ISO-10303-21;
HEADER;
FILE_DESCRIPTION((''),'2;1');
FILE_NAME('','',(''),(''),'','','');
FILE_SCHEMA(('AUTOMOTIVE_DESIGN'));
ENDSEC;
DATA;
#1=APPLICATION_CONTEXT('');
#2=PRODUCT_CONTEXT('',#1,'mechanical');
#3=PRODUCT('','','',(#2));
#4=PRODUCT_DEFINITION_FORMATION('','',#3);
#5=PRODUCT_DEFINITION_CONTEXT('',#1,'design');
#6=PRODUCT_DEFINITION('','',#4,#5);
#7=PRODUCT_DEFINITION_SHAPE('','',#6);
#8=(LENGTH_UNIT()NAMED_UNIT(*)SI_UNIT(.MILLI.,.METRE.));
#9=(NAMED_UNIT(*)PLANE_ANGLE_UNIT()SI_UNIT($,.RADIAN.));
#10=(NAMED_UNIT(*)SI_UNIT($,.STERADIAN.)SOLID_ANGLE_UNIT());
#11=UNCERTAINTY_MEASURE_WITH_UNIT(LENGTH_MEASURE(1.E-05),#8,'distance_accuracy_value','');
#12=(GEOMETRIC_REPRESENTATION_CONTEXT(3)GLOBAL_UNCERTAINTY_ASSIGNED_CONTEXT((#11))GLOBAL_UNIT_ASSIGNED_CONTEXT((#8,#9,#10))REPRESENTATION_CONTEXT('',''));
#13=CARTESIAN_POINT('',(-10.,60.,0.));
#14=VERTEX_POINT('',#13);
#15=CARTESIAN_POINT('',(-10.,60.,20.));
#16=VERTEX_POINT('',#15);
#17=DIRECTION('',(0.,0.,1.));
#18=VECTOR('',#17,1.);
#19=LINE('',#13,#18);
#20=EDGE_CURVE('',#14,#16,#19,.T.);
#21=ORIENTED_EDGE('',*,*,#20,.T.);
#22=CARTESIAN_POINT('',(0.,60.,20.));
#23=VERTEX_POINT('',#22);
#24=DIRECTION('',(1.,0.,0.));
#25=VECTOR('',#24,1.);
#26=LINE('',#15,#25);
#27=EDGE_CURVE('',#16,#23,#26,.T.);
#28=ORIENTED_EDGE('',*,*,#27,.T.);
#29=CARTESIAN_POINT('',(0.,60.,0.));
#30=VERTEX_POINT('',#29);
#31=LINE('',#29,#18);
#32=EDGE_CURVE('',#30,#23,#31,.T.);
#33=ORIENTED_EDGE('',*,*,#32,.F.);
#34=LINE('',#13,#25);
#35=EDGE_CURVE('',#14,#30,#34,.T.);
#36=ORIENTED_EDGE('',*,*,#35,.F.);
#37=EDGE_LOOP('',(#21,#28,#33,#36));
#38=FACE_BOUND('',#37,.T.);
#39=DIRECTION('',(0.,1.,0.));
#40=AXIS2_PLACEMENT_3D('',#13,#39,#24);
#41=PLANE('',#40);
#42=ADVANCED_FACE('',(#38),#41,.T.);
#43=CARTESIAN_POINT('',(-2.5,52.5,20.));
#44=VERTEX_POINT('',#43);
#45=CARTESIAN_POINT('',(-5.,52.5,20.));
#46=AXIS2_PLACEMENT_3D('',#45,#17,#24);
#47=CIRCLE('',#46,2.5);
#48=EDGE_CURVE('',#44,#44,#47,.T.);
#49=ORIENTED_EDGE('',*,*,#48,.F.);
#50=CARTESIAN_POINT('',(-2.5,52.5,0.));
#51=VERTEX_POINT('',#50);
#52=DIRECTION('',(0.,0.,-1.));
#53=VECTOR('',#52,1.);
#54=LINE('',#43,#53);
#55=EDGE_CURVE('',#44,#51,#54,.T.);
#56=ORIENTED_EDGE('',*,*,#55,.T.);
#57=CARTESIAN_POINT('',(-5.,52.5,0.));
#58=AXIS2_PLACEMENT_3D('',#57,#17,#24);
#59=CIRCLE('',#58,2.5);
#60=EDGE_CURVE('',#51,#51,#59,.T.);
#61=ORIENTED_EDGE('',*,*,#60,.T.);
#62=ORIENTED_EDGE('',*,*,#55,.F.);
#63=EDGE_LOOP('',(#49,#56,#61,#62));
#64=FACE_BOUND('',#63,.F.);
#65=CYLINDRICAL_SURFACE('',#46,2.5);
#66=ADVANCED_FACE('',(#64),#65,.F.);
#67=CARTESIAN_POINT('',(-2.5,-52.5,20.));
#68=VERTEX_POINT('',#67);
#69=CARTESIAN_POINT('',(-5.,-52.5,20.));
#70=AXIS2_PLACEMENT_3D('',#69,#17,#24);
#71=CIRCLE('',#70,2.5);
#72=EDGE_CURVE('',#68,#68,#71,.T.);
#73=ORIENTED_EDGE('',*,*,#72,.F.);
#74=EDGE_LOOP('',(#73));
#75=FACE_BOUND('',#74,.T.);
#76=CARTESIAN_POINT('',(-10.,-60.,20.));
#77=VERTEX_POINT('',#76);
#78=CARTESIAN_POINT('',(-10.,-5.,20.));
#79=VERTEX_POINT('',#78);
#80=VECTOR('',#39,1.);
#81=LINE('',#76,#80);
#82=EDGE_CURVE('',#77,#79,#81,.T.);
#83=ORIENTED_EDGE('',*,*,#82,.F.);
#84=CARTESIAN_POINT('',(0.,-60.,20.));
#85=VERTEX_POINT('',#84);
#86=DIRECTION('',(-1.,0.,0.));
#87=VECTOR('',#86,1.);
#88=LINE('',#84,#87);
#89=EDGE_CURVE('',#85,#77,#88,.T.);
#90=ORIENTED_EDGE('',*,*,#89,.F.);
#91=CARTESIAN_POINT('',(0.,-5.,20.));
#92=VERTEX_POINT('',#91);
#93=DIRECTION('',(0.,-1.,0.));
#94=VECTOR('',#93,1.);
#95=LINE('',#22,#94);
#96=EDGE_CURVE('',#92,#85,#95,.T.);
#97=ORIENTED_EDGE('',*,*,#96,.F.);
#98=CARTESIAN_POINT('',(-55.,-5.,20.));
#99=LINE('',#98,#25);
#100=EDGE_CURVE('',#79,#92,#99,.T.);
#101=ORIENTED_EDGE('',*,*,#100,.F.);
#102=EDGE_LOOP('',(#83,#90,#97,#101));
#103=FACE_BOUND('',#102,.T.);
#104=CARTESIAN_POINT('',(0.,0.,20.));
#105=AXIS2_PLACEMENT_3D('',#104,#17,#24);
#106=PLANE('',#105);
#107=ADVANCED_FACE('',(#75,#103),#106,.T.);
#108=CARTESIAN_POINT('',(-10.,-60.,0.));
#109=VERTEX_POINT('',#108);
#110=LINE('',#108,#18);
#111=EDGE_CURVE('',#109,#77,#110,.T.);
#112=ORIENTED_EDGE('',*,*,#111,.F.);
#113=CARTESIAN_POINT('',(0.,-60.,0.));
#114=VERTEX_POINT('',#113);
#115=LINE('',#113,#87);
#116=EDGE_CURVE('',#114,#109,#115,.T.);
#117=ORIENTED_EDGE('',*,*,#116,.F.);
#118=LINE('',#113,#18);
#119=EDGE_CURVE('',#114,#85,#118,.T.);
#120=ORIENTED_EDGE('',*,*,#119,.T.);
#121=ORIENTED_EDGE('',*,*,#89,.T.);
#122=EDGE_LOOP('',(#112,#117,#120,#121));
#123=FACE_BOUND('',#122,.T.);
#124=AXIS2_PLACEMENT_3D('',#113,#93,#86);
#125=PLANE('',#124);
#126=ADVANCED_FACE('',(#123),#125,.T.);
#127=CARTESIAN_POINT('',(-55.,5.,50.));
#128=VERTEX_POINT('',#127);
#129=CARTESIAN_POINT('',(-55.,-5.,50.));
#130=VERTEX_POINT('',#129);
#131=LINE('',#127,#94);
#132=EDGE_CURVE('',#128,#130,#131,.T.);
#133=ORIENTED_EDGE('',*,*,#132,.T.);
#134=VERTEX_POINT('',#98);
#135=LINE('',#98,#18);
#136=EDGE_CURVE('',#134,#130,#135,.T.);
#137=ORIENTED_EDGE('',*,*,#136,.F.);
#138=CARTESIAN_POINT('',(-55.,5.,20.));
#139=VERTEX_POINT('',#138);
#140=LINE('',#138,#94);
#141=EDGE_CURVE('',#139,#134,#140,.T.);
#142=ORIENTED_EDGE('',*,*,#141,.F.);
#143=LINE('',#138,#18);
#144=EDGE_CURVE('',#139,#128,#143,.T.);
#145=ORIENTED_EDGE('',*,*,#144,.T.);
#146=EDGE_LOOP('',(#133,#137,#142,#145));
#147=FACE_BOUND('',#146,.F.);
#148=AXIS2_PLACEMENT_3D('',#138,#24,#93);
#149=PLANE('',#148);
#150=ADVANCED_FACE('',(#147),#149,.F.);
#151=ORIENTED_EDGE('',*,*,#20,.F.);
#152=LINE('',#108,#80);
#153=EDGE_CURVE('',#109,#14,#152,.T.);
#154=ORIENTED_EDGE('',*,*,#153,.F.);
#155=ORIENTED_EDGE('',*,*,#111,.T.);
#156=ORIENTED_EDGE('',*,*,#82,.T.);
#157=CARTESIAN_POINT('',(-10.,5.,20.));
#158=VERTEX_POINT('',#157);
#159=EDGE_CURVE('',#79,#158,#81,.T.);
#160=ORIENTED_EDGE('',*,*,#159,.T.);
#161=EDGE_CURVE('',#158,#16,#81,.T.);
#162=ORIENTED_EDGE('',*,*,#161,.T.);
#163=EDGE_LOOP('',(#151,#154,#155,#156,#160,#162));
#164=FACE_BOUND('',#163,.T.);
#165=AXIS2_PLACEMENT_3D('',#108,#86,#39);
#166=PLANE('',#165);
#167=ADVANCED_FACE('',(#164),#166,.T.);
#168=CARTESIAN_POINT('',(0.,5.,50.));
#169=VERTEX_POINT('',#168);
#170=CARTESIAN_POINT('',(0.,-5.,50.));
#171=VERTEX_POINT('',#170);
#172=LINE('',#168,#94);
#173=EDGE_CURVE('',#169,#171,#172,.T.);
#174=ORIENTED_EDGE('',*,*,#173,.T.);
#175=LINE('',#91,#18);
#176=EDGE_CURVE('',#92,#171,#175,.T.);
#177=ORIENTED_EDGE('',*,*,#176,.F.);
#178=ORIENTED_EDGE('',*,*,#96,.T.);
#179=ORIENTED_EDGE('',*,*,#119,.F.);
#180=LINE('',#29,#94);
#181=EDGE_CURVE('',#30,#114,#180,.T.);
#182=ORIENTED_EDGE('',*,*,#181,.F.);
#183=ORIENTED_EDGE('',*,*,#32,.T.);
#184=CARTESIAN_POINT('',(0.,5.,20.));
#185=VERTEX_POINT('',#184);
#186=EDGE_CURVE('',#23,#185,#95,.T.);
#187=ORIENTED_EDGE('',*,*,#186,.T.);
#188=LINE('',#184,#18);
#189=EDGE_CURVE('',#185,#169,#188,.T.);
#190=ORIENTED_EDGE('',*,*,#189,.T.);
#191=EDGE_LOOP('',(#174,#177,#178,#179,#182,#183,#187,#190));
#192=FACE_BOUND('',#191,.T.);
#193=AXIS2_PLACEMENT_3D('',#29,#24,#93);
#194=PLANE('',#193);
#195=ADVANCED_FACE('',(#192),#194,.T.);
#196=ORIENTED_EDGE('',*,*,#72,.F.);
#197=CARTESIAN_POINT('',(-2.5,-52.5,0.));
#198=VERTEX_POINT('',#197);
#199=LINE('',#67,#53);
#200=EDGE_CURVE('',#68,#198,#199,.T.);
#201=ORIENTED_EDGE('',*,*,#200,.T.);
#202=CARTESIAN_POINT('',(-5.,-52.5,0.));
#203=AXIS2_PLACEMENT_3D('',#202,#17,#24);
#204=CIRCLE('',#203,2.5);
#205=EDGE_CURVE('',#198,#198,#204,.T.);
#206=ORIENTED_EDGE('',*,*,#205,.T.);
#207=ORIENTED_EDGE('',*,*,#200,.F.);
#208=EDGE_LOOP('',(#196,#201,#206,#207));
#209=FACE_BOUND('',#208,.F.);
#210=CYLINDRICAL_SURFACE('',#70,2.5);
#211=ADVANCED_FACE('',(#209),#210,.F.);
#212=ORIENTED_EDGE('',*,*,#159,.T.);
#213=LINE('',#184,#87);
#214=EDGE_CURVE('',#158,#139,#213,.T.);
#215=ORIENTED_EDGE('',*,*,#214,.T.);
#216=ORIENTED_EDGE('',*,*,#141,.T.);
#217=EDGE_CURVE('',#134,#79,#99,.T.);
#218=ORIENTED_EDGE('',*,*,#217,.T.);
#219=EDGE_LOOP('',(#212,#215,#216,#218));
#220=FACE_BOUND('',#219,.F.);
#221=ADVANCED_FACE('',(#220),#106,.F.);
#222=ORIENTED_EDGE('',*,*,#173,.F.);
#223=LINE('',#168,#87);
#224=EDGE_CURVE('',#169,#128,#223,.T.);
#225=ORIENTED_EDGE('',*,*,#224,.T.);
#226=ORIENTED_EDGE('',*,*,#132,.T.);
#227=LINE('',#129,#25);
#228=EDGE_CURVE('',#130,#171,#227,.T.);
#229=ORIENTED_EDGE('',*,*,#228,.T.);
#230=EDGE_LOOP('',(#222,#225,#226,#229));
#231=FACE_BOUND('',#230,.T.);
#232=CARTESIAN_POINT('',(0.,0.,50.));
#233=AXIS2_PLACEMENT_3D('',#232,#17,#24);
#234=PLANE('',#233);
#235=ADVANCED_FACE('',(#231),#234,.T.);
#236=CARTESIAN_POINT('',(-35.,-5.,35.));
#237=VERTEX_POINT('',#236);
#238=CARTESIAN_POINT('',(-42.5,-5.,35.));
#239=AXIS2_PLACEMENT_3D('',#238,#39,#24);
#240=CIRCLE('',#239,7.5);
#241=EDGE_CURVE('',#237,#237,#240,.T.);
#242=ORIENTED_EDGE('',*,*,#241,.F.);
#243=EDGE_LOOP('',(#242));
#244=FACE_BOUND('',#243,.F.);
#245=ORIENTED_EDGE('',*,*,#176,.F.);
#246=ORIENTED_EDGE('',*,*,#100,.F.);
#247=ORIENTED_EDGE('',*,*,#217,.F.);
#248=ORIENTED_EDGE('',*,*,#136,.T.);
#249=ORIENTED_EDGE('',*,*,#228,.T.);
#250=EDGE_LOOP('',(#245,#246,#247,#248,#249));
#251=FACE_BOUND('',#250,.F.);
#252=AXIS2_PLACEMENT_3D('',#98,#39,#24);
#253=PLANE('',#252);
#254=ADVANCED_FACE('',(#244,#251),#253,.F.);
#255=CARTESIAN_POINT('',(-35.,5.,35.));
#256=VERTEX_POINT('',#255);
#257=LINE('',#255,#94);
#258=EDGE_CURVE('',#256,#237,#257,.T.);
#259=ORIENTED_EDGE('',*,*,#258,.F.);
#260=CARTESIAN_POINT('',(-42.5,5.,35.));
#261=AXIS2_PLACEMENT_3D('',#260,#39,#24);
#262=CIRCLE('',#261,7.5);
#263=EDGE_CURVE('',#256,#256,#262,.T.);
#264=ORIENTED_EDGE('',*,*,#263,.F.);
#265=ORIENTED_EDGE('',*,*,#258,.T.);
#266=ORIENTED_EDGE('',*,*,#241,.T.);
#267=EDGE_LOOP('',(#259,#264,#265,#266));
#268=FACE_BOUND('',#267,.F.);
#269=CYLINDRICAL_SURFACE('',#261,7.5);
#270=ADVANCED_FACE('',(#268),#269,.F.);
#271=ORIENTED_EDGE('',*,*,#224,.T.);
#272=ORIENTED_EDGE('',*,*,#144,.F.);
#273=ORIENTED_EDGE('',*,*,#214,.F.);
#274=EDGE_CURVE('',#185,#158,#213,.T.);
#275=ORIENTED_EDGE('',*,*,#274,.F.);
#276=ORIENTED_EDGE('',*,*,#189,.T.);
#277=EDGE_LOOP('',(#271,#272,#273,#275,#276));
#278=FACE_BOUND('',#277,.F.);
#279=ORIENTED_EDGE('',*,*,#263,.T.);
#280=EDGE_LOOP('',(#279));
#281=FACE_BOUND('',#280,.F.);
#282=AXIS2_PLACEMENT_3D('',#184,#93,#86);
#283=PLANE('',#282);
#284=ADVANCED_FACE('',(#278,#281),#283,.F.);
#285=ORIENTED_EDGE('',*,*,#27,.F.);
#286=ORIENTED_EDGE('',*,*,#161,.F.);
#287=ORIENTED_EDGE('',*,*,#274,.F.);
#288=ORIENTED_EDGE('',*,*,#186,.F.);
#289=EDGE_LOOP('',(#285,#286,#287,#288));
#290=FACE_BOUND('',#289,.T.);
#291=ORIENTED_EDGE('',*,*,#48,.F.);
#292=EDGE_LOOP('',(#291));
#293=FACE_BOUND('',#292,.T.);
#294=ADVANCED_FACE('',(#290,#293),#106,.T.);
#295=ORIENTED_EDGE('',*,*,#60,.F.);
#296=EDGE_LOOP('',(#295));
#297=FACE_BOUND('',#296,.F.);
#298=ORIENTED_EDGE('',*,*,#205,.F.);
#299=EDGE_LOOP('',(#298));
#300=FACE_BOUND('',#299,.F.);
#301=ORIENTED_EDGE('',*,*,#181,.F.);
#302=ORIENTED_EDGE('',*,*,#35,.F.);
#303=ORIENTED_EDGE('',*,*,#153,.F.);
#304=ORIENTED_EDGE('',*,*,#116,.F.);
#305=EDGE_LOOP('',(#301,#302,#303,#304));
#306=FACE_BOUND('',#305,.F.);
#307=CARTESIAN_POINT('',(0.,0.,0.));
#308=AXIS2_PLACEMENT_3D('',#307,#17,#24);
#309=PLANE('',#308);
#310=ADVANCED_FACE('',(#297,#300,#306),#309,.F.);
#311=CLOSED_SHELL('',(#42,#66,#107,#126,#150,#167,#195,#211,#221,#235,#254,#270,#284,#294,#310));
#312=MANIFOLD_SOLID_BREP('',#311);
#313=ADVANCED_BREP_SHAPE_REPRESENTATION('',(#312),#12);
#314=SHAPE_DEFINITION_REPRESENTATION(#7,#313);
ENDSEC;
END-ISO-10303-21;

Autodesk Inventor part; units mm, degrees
ref_plane "YZ Plane" through (0, 0, 0) normal (1, 0, 0) x (0, 1, 0)
ref_plane "XZ Plane" through (0, 0, 0) normal (0, 1, 0) x (-1, 0, 0)
ref_plane "XY Plane" through (0, 0, 0) normal (0, 0, 1) x (1, 0, 0)
sketch "Sketch1" plane through (0, 0, 0) normal (0, 0, 1) x (1, 0, 0)
  line L0 (0, 60) -> (0, -60)
  line L1 (0, -60) -> (-10, -60)
  line L2 (-10, -60) -> (-10, 60)
  line L3 (-10, 60) -> (0, 60)
  point P0 (0, 0)
  dimension "d27" = 120
  dimension "d28" = 10
extrude "Extrusion1" add sketch "Sketch1" along normal blind 20
sketch "Sketch2" plane through (0, 0, 20) normal (0, 0, 1) x (1, 0, 0)
  line L0 (0, 5) -> (0, -5)
  line L1 (0, -50) -> (0, 50) projected
  line L2 (0, 5) -> (-55, 5)
  line L3 (-55, 5) -> (-55, -5)
  line L4 (-55, -5) -> (0, -5)
  point P0 (0, 0)
  dimension "d5" = 10
  dimension "d6" = 55
  dimension "d7" = 10
extrude "Extrusion2" add sketch "Sketch2" along normal blind 30
sketch "Sketch3" plane through (-55, 5, 20) normal (0, 1, 0) x (1, 0, 0)
  line L0 (0, 0) -> (0, -30) projected
  line L1 (0, 0) -> (45, 0) projected
  line L2 (0, -30) -> (55, -30) projected
  circle A0 centre (12.5, -15) radius 7.5
  point P0 (55, 20)
  dimension "d12" = 15
extrude "Extrusion3" cut sketch "Sketch3" against normal blind 10
sketch "Sketch6" plane through (0, 0, 20) normal (0, 0, 1) x (1, 0, 0)
  circle A0 centre (-5, -52.5) radius 2.5
  circle A1 centre (-5, 52.5) radius 2.5
  point P0 (0, 0)
  dimension "d29" = 5
  dimension "d30" = 5
extrude "Extrusion6" cut sketch "Sketch6" against normal up to surface (20 mm away)
thread "Thread2" size "M15x1.5" class "6H" standard "ANSI Metric M Profile" length 10
properties part number "steering_connector[1]" material "Wood (Birch)"
